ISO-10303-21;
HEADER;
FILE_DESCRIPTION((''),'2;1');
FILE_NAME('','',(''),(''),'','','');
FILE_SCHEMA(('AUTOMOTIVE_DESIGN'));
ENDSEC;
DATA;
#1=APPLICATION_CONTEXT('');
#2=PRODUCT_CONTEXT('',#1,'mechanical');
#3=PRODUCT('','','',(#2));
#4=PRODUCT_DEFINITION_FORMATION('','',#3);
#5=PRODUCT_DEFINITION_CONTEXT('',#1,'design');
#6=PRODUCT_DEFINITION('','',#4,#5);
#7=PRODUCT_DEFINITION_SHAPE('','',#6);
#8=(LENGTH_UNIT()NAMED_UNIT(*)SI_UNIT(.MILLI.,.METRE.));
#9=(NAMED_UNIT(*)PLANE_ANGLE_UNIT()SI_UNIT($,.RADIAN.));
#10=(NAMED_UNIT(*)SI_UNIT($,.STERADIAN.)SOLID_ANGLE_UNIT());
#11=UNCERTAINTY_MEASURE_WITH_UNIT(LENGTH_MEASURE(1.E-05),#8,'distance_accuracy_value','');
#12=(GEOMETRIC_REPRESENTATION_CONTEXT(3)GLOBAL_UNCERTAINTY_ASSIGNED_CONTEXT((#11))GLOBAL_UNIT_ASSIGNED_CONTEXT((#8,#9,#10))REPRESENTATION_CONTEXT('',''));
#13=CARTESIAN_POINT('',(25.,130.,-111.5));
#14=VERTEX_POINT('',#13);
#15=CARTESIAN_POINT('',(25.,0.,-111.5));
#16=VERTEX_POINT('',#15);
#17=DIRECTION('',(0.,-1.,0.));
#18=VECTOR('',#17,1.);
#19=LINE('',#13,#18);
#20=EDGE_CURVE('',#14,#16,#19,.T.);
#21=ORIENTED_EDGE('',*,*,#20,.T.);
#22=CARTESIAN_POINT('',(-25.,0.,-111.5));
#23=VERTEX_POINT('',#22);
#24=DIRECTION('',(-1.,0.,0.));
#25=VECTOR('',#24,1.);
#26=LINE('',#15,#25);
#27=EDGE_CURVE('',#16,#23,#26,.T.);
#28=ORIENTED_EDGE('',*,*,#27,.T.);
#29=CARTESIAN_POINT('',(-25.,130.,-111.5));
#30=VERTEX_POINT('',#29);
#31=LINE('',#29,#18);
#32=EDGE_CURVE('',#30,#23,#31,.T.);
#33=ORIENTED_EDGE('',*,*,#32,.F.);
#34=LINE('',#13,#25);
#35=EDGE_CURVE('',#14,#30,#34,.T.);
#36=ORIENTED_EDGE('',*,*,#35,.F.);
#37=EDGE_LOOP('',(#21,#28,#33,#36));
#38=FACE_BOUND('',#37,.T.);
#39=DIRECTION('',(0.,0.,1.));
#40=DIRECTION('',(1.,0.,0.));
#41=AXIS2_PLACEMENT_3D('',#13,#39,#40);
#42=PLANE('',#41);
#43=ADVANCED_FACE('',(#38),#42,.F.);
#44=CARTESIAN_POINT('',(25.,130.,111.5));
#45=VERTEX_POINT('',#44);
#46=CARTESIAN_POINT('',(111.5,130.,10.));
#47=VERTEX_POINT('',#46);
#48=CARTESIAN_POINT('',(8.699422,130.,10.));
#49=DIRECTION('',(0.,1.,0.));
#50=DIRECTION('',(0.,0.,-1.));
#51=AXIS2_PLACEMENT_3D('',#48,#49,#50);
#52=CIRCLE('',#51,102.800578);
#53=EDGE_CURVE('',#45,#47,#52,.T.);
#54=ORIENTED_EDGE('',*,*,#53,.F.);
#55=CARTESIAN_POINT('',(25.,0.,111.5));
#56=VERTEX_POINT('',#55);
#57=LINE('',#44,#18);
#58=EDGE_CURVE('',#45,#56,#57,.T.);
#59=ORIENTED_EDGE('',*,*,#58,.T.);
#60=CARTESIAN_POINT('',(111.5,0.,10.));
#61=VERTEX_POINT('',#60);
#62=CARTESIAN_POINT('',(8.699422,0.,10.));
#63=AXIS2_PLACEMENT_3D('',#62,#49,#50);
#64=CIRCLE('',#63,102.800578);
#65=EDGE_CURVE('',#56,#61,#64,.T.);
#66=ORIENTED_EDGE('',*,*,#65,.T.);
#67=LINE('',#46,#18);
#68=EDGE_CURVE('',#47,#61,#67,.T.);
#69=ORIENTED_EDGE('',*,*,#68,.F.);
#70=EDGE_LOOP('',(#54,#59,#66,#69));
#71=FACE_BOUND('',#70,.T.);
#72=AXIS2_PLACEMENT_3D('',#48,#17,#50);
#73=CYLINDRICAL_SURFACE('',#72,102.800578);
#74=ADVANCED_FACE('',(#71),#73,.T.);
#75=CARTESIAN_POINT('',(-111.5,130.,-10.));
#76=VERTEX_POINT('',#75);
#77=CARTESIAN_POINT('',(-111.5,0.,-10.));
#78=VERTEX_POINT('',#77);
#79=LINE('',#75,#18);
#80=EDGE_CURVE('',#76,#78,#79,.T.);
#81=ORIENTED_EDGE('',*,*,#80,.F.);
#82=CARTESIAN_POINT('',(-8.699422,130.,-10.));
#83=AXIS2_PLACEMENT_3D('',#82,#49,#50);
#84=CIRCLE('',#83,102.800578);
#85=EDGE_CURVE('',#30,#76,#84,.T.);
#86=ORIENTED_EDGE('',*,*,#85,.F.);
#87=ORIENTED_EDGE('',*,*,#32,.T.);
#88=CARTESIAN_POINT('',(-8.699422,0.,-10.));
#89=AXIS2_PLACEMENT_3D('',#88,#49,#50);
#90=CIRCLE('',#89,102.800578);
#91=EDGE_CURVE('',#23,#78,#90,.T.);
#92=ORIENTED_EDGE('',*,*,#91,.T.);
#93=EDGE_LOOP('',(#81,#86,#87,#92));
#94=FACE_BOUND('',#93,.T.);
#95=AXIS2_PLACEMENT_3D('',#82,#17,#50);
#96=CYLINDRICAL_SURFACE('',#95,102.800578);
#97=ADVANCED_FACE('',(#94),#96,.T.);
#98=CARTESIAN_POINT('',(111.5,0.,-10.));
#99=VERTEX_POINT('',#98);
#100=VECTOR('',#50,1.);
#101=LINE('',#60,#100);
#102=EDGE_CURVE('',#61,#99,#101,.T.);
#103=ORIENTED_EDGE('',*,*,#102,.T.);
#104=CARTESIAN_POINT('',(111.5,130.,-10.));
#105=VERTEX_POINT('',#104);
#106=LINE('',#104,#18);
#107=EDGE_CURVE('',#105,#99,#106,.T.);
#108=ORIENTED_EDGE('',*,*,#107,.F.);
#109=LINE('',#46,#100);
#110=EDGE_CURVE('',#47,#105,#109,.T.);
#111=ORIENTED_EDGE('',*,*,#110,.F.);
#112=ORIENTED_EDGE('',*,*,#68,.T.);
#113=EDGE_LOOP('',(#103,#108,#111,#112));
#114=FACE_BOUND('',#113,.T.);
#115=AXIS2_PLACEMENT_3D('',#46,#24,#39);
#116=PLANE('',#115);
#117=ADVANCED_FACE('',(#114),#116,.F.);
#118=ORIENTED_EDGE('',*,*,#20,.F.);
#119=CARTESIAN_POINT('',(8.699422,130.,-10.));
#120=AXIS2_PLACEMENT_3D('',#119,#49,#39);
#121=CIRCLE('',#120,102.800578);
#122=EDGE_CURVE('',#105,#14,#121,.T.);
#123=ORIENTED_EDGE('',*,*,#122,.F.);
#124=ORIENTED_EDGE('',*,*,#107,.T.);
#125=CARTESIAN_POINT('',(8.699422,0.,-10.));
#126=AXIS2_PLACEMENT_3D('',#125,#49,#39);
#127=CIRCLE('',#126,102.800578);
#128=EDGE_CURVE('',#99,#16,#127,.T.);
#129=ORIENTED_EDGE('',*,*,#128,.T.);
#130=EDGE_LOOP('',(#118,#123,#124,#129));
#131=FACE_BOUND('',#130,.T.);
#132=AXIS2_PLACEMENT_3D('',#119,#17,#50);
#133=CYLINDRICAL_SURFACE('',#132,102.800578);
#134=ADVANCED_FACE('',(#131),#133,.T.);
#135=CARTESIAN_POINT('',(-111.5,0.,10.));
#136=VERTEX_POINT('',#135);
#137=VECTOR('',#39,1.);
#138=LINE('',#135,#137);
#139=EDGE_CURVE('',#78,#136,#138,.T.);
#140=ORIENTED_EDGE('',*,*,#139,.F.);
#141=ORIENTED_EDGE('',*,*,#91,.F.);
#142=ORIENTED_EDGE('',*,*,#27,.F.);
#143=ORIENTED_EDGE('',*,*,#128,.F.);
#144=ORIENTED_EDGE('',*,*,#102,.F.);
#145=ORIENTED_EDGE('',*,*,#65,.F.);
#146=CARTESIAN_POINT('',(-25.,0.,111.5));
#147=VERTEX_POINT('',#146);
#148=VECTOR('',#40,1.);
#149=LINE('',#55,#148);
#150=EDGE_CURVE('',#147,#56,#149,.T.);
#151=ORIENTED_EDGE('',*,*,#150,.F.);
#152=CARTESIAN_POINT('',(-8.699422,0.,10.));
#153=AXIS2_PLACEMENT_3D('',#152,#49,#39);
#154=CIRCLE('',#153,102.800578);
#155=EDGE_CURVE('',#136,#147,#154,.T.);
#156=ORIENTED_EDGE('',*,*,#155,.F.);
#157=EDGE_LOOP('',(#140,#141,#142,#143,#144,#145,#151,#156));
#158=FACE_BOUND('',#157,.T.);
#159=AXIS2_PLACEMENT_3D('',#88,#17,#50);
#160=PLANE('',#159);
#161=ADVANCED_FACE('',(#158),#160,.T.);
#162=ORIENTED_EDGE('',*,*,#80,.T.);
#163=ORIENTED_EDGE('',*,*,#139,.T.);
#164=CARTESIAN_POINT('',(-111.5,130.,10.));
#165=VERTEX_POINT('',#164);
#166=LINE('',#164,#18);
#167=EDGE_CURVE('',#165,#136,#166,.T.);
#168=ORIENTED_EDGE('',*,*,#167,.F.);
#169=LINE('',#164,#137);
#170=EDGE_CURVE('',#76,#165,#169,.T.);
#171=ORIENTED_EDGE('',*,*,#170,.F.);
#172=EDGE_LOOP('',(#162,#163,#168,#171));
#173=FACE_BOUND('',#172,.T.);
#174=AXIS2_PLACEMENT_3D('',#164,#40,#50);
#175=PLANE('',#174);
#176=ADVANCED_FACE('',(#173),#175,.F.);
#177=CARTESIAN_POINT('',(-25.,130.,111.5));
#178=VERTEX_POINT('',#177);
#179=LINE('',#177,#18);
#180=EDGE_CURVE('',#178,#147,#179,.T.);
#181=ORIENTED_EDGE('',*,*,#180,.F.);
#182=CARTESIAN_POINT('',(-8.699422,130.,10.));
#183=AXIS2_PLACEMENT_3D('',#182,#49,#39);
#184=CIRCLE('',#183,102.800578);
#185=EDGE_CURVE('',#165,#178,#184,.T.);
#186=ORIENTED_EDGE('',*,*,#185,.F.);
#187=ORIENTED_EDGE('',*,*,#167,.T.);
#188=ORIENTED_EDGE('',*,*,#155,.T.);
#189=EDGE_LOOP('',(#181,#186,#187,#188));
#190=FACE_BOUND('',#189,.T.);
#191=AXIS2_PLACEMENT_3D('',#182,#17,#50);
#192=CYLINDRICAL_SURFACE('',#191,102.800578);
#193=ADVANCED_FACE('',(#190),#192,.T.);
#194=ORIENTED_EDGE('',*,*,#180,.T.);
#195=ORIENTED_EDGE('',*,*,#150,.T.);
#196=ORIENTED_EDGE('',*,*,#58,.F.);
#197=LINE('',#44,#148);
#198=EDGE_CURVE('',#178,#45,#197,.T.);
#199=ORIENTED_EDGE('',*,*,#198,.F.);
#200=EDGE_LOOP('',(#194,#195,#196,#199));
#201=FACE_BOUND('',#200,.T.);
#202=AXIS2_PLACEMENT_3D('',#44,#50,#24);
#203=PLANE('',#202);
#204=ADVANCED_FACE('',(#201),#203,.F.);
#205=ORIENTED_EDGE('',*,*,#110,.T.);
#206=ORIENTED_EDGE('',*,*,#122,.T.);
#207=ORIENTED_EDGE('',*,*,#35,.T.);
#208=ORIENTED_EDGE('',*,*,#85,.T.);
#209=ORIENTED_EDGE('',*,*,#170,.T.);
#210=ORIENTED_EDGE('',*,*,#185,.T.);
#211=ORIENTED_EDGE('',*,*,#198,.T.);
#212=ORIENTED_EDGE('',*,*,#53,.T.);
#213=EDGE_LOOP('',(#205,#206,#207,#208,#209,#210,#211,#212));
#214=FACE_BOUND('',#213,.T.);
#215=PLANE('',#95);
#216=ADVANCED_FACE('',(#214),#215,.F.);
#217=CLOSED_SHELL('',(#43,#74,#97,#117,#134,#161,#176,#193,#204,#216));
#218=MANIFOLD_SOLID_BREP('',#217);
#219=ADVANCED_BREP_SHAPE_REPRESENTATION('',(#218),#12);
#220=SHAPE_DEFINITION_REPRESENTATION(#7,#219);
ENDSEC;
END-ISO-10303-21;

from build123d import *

# Parameters (mm, degrees)
BOSS_EXTRUDE1_DEPTH = 130


with BuildPart() as part:
    # Sketch1 → Boss-Extrude1 (new body)
    with BuildSketch(Plane(origin=(0, 0, 0), x_dir=(1, 0, 0), z_dir=(0, 1, 0))):
        with BuildLine():
            Line((-111.5, -10), (-111.5, 10))
            ThreePointArc((-111.5, 10), (-86.941570736, 76.679269642), (-25, 111.5))
            Line((-25, 111.5), (25, 111.5))
            ThreePointArc((25, 111.5), (86.941570736, 76.679269642), (111.5, 10))
            Line((111.5, 10), (111.5, -10))
            ThreePointArc((111.5, -10), (86.941570736, -76.679269642), (25, -111.5))
            Line((25, -111.5), (-25, -111.5))
            ThreePointArc((-25, -111.5), (-86.941570736, -76.679269642), (-111.5, -10))
        make_face()
    extrude(amount=BOSS_EXTRUDE1_DEPTH)


solid = part.part
